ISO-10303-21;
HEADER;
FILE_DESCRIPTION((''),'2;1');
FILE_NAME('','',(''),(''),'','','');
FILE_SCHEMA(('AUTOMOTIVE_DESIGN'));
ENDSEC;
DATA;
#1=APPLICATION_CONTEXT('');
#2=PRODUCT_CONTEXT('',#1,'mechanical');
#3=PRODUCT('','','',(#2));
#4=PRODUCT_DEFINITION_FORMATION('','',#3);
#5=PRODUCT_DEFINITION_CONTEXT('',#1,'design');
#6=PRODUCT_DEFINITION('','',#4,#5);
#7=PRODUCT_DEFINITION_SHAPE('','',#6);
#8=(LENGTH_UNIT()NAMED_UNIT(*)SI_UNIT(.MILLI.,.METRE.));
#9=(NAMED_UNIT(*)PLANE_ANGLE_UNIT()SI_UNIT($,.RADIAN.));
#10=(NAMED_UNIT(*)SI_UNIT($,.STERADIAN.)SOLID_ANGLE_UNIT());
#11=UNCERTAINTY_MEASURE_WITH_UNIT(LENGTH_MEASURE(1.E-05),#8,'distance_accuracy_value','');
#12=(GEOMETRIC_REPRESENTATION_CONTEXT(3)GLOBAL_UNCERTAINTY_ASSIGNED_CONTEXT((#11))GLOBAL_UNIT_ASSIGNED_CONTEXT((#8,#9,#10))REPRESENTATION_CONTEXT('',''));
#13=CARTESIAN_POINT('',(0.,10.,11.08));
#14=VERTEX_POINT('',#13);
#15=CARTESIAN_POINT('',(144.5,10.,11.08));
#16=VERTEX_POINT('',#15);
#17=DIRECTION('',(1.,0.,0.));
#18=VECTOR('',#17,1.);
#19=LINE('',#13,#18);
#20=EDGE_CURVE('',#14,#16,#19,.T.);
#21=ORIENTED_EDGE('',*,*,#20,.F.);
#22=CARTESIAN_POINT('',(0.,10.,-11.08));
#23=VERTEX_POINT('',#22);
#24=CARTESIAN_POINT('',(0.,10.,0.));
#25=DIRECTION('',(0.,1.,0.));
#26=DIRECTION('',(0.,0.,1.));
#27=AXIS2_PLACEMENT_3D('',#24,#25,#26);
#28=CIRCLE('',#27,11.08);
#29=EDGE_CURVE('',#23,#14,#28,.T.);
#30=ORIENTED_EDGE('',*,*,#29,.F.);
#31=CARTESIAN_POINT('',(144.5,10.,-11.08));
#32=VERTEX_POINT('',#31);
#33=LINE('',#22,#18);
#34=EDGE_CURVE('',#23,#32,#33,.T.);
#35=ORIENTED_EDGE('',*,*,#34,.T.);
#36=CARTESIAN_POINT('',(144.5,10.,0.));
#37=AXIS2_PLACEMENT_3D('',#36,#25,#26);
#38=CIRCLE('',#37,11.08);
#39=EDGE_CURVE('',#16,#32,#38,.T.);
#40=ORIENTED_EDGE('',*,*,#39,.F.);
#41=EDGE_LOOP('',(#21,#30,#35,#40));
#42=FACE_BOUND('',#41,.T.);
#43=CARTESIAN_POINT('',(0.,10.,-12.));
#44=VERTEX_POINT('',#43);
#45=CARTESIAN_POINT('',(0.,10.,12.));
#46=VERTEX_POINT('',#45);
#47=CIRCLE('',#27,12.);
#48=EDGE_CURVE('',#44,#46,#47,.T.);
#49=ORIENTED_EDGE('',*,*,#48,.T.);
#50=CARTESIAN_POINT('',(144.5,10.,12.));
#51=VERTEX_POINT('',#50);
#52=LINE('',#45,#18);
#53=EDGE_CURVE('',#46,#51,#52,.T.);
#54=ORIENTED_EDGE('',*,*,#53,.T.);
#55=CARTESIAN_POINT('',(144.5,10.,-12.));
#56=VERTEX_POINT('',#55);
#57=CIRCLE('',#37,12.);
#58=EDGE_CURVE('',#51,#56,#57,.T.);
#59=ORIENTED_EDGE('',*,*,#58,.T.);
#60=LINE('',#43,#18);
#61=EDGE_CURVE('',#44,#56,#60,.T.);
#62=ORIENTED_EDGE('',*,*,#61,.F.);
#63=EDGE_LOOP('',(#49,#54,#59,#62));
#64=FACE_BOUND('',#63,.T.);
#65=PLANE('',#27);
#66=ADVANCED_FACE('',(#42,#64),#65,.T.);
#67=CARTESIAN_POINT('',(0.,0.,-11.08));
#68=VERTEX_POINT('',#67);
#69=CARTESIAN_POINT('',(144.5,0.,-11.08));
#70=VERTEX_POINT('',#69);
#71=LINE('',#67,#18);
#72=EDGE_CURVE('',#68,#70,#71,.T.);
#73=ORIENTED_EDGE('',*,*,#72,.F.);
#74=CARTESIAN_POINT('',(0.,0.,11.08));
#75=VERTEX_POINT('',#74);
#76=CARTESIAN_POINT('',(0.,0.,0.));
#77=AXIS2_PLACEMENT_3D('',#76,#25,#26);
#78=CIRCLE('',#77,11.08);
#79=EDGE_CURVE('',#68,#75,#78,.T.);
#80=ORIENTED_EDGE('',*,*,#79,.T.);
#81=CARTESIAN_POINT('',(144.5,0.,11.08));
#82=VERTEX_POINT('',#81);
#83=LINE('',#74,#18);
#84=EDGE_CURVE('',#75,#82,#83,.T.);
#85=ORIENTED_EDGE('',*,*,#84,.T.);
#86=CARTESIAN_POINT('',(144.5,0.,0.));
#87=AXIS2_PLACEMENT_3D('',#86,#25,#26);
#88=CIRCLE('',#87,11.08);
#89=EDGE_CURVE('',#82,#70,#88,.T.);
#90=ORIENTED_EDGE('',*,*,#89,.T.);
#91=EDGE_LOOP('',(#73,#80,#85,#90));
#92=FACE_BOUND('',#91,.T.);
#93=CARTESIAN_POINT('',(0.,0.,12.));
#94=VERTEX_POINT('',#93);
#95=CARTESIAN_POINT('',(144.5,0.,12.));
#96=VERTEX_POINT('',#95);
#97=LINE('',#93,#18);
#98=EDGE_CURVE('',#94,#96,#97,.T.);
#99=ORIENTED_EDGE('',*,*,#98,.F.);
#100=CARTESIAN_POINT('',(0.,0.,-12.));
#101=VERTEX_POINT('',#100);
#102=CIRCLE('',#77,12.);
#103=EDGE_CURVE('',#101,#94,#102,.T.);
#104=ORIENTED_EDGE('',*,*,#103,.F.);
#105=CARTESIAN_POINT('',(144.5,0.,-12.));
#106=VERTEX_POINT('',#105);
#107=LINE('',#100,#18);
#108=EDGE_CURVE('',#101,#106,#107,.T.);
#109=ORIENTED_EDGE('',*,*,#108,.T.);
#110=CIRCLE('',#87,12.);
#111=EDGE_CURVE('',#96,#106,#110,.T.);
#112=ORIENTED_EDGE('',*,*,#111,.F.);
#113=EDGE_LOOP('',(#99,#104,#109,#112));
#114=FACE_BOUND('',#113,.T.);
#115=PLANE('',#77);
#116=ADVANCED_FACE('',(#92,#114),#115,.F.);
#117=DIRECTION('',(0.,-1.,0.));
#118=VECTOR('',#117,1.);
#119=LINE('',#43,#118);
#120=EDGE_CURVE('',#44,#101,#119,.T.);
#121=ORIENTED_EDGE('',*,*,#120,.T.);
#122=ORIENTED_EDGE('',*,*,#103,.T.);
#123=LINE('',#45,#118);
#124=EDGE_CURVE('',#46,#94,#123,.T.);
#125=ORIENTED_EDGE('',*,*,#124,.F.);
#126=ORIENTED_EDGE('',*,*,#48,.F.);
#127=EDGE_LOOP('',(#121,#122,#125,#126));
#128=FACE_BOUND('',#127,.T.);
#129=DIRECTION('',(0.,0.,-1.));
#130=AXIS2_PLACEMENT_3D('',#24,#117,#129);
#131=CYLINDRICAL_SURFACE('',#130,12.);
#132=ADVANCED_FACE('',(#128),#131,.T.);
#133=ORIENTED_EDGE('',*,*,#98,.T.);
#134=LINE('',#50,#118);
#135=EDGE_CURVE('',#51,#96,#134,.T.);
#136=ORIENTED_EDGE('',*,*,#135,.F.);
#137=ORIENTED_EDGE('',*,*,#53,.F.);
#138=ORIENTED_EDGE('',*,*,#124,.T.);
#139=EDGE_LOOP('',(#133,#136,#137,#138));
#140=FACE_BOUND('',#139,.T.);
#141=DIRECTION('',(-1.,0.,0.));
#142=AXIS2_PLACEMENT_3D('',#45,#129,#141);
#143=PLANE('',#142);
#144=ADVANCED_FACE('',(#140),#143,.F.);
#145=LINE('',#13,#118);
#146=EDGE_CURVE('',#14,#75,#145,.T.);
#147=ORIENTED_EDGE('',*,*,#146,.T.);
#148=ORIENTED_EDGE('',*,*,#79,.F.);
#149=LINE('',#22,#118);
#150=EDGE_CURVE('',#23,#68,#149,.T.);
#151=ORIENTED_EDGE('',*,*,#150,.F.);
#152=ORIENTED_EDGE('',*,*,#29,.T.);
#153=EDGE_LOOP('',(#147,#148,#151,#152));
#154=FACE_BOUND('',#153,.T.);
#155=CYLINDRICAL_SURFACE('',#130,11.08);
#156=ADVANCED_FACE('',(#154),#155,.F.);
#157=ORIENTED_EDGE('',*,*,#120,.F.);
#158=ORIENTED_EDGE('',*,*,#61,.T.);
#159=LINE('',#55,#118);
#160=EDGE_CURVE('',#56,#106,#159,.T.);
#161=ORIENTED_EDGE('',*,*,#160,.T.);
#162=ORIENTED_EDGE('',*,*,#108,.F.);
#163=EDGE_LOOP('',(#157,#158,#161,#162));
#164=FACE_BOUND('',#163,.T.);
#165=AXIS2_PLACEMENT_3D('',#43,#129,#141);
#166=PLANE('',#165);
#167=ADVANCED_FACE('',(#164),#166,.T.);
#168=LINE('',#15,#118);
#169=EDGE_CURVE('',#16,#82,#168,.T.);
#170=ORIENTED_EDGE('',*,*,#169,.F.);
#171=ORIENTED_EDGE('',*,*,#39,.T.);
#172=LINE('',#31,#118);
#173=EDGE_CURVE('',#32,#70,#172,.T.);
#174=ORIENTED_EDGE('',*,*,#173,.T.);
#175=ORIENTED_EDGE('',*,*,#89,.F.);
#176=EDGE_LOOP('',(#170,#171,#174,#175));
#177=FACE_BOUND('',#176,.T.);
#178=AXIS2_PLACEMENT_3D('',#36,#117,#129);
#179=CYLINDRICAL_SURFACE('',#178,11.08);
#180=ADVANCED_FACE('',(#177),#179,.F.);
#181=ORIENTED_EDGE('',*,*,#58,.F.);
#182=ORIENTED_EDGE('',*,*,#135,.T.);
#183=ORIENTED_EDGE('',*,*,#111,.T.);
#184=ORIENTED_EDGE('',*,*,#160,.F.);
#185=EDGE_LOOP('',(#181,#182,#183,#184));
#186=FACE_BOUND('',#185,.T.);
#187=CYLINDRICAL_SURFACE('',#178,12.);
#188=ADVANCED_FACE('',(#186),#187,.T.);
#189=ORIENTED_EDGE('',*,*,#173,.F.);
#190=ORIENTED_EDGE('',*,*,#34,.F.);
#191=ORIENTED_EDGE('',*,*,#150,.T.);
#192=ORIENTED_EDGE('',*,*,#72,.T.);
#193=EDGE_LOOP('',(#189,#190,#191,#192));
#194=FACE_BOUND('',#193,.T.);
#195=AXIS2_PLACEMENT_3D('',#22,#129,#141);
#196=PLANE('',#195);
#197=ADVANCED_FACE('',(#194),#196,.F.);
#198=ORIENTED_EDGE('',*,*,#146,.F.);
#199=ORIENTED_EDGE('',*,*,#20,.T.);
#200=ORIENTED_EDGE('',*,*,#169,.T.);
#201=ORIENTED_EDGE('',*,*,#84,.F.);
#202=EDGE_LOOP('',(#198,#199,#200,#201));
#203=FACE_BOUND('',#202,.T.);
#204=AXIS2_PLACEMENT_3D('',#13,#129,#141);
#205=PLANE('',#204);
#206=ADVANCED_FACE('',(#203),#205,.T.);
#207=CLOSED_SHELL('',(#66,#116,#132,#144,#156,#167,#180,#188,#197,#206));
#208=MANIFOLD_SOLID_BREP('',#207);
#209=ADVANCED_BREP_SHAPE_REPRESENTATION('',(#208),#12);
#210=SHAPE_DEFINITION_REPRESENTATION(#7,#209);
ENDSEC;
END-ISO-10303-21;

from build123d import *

# Parameters (mm, degrees)
EXTRUDE_1_DEPTH = 10


with BuildPart() as part:
    # 草图1 → 凸台-拉伸1 (new body)
    with BuildSketch(Plane(origin=(0, 0, 0), x_dir=(1, 0, 0), z_dir=(0, 1, 0))):
        with BuildLine():
            ThreePointArc((156.5, 0), (152.985281374, 8.485281374), (144.5, 12))
            Line((144.5, 12), (144.5, 11.08))
            ThreePointArc((144.5, 11.08), (152.334743136, 7.834743136), (155.58, 0))
            ThreePointArc((155.58, 0), (152.334743136, -7.834743136), (144.5, -11.08))
            Line((144.5, -11.08), (144.5, -12))
            ThreePointArc((144.5, -12), (152.985281374, -8.485281374), (156.5, 0))
        make_face()
        with BuildLine():
            ThreePointArc((144.5, 12), (142.150531975, 11.767752547), (139.892006944, 11.08))
            Line((139.892006944, 11.08), (144.5, 11.08))
            Line((144.5, 11.08), (144.5, 12))
        make_face()
        with BuildLine():
            ThreePointArc((0, 12), (2.349468025, 11.767752547), (4.607993056, 11.08))
            Line((4.607993056, 11.08), (139.892006944, 11.08))
            ThreePointArc((139.892006944, 11.08), (142.150531975, 11.767752547), (144.5, 12))
            Line((144.5, 12), (0, 12))
        make_face()
        with BuildLine():
            Line((144.5, -11.08), (139.892006944, -11.08))
            ThreePointArc((139.892006944, -11.08), (142.150531975, -11.767752547), (144.5, -12))
            Line((144.5, -12), (144.5, -11.08))
        make_face()
        with BuildLine():
            Line((139.892006944, -11.08), (4.607993056, -11.08))
            ThreePointArc((4.607993056, -11.08), (2.349468025, -11.767752547), (0, -12))
            Line((0, -12), (144.5, -12))
            ThreePointArc((144.5, -12), (142.150531975, -11.767752547), (139.892006944, -11.08))
        make_face()
        with BuildLine():
            Line((0, 12), (0, 11.08))
            Line((0, 11.08), (4.607993056, 11.08))
            ThreePointArc((4.607993056, 11.08), (2.349468025, 11.767752547), (0, 12))
        make_face()
        with BuildLine():
            Line((4.607993056, -11.08), (0, -11.08))
            Line((0, -11.08), (0, -12))
            ThreePointArc((0, -12), (2.349468025, -11.767752547), (4.607993056, -11.08))
        make_face()
        with BuildLine():
            ThreePointArc((0, -11.08), (-11.08, 0), (0, 11.08))
            Line((0, 11.08), (0, 12))
            ThreePointArc((0, 12), (-12, 0), (0, -12))
            Line((0, -12), (0, -11.08))
        make_face()
    extrude(amount=EXTRUDE_1_DEPTH)


solid = part.part
